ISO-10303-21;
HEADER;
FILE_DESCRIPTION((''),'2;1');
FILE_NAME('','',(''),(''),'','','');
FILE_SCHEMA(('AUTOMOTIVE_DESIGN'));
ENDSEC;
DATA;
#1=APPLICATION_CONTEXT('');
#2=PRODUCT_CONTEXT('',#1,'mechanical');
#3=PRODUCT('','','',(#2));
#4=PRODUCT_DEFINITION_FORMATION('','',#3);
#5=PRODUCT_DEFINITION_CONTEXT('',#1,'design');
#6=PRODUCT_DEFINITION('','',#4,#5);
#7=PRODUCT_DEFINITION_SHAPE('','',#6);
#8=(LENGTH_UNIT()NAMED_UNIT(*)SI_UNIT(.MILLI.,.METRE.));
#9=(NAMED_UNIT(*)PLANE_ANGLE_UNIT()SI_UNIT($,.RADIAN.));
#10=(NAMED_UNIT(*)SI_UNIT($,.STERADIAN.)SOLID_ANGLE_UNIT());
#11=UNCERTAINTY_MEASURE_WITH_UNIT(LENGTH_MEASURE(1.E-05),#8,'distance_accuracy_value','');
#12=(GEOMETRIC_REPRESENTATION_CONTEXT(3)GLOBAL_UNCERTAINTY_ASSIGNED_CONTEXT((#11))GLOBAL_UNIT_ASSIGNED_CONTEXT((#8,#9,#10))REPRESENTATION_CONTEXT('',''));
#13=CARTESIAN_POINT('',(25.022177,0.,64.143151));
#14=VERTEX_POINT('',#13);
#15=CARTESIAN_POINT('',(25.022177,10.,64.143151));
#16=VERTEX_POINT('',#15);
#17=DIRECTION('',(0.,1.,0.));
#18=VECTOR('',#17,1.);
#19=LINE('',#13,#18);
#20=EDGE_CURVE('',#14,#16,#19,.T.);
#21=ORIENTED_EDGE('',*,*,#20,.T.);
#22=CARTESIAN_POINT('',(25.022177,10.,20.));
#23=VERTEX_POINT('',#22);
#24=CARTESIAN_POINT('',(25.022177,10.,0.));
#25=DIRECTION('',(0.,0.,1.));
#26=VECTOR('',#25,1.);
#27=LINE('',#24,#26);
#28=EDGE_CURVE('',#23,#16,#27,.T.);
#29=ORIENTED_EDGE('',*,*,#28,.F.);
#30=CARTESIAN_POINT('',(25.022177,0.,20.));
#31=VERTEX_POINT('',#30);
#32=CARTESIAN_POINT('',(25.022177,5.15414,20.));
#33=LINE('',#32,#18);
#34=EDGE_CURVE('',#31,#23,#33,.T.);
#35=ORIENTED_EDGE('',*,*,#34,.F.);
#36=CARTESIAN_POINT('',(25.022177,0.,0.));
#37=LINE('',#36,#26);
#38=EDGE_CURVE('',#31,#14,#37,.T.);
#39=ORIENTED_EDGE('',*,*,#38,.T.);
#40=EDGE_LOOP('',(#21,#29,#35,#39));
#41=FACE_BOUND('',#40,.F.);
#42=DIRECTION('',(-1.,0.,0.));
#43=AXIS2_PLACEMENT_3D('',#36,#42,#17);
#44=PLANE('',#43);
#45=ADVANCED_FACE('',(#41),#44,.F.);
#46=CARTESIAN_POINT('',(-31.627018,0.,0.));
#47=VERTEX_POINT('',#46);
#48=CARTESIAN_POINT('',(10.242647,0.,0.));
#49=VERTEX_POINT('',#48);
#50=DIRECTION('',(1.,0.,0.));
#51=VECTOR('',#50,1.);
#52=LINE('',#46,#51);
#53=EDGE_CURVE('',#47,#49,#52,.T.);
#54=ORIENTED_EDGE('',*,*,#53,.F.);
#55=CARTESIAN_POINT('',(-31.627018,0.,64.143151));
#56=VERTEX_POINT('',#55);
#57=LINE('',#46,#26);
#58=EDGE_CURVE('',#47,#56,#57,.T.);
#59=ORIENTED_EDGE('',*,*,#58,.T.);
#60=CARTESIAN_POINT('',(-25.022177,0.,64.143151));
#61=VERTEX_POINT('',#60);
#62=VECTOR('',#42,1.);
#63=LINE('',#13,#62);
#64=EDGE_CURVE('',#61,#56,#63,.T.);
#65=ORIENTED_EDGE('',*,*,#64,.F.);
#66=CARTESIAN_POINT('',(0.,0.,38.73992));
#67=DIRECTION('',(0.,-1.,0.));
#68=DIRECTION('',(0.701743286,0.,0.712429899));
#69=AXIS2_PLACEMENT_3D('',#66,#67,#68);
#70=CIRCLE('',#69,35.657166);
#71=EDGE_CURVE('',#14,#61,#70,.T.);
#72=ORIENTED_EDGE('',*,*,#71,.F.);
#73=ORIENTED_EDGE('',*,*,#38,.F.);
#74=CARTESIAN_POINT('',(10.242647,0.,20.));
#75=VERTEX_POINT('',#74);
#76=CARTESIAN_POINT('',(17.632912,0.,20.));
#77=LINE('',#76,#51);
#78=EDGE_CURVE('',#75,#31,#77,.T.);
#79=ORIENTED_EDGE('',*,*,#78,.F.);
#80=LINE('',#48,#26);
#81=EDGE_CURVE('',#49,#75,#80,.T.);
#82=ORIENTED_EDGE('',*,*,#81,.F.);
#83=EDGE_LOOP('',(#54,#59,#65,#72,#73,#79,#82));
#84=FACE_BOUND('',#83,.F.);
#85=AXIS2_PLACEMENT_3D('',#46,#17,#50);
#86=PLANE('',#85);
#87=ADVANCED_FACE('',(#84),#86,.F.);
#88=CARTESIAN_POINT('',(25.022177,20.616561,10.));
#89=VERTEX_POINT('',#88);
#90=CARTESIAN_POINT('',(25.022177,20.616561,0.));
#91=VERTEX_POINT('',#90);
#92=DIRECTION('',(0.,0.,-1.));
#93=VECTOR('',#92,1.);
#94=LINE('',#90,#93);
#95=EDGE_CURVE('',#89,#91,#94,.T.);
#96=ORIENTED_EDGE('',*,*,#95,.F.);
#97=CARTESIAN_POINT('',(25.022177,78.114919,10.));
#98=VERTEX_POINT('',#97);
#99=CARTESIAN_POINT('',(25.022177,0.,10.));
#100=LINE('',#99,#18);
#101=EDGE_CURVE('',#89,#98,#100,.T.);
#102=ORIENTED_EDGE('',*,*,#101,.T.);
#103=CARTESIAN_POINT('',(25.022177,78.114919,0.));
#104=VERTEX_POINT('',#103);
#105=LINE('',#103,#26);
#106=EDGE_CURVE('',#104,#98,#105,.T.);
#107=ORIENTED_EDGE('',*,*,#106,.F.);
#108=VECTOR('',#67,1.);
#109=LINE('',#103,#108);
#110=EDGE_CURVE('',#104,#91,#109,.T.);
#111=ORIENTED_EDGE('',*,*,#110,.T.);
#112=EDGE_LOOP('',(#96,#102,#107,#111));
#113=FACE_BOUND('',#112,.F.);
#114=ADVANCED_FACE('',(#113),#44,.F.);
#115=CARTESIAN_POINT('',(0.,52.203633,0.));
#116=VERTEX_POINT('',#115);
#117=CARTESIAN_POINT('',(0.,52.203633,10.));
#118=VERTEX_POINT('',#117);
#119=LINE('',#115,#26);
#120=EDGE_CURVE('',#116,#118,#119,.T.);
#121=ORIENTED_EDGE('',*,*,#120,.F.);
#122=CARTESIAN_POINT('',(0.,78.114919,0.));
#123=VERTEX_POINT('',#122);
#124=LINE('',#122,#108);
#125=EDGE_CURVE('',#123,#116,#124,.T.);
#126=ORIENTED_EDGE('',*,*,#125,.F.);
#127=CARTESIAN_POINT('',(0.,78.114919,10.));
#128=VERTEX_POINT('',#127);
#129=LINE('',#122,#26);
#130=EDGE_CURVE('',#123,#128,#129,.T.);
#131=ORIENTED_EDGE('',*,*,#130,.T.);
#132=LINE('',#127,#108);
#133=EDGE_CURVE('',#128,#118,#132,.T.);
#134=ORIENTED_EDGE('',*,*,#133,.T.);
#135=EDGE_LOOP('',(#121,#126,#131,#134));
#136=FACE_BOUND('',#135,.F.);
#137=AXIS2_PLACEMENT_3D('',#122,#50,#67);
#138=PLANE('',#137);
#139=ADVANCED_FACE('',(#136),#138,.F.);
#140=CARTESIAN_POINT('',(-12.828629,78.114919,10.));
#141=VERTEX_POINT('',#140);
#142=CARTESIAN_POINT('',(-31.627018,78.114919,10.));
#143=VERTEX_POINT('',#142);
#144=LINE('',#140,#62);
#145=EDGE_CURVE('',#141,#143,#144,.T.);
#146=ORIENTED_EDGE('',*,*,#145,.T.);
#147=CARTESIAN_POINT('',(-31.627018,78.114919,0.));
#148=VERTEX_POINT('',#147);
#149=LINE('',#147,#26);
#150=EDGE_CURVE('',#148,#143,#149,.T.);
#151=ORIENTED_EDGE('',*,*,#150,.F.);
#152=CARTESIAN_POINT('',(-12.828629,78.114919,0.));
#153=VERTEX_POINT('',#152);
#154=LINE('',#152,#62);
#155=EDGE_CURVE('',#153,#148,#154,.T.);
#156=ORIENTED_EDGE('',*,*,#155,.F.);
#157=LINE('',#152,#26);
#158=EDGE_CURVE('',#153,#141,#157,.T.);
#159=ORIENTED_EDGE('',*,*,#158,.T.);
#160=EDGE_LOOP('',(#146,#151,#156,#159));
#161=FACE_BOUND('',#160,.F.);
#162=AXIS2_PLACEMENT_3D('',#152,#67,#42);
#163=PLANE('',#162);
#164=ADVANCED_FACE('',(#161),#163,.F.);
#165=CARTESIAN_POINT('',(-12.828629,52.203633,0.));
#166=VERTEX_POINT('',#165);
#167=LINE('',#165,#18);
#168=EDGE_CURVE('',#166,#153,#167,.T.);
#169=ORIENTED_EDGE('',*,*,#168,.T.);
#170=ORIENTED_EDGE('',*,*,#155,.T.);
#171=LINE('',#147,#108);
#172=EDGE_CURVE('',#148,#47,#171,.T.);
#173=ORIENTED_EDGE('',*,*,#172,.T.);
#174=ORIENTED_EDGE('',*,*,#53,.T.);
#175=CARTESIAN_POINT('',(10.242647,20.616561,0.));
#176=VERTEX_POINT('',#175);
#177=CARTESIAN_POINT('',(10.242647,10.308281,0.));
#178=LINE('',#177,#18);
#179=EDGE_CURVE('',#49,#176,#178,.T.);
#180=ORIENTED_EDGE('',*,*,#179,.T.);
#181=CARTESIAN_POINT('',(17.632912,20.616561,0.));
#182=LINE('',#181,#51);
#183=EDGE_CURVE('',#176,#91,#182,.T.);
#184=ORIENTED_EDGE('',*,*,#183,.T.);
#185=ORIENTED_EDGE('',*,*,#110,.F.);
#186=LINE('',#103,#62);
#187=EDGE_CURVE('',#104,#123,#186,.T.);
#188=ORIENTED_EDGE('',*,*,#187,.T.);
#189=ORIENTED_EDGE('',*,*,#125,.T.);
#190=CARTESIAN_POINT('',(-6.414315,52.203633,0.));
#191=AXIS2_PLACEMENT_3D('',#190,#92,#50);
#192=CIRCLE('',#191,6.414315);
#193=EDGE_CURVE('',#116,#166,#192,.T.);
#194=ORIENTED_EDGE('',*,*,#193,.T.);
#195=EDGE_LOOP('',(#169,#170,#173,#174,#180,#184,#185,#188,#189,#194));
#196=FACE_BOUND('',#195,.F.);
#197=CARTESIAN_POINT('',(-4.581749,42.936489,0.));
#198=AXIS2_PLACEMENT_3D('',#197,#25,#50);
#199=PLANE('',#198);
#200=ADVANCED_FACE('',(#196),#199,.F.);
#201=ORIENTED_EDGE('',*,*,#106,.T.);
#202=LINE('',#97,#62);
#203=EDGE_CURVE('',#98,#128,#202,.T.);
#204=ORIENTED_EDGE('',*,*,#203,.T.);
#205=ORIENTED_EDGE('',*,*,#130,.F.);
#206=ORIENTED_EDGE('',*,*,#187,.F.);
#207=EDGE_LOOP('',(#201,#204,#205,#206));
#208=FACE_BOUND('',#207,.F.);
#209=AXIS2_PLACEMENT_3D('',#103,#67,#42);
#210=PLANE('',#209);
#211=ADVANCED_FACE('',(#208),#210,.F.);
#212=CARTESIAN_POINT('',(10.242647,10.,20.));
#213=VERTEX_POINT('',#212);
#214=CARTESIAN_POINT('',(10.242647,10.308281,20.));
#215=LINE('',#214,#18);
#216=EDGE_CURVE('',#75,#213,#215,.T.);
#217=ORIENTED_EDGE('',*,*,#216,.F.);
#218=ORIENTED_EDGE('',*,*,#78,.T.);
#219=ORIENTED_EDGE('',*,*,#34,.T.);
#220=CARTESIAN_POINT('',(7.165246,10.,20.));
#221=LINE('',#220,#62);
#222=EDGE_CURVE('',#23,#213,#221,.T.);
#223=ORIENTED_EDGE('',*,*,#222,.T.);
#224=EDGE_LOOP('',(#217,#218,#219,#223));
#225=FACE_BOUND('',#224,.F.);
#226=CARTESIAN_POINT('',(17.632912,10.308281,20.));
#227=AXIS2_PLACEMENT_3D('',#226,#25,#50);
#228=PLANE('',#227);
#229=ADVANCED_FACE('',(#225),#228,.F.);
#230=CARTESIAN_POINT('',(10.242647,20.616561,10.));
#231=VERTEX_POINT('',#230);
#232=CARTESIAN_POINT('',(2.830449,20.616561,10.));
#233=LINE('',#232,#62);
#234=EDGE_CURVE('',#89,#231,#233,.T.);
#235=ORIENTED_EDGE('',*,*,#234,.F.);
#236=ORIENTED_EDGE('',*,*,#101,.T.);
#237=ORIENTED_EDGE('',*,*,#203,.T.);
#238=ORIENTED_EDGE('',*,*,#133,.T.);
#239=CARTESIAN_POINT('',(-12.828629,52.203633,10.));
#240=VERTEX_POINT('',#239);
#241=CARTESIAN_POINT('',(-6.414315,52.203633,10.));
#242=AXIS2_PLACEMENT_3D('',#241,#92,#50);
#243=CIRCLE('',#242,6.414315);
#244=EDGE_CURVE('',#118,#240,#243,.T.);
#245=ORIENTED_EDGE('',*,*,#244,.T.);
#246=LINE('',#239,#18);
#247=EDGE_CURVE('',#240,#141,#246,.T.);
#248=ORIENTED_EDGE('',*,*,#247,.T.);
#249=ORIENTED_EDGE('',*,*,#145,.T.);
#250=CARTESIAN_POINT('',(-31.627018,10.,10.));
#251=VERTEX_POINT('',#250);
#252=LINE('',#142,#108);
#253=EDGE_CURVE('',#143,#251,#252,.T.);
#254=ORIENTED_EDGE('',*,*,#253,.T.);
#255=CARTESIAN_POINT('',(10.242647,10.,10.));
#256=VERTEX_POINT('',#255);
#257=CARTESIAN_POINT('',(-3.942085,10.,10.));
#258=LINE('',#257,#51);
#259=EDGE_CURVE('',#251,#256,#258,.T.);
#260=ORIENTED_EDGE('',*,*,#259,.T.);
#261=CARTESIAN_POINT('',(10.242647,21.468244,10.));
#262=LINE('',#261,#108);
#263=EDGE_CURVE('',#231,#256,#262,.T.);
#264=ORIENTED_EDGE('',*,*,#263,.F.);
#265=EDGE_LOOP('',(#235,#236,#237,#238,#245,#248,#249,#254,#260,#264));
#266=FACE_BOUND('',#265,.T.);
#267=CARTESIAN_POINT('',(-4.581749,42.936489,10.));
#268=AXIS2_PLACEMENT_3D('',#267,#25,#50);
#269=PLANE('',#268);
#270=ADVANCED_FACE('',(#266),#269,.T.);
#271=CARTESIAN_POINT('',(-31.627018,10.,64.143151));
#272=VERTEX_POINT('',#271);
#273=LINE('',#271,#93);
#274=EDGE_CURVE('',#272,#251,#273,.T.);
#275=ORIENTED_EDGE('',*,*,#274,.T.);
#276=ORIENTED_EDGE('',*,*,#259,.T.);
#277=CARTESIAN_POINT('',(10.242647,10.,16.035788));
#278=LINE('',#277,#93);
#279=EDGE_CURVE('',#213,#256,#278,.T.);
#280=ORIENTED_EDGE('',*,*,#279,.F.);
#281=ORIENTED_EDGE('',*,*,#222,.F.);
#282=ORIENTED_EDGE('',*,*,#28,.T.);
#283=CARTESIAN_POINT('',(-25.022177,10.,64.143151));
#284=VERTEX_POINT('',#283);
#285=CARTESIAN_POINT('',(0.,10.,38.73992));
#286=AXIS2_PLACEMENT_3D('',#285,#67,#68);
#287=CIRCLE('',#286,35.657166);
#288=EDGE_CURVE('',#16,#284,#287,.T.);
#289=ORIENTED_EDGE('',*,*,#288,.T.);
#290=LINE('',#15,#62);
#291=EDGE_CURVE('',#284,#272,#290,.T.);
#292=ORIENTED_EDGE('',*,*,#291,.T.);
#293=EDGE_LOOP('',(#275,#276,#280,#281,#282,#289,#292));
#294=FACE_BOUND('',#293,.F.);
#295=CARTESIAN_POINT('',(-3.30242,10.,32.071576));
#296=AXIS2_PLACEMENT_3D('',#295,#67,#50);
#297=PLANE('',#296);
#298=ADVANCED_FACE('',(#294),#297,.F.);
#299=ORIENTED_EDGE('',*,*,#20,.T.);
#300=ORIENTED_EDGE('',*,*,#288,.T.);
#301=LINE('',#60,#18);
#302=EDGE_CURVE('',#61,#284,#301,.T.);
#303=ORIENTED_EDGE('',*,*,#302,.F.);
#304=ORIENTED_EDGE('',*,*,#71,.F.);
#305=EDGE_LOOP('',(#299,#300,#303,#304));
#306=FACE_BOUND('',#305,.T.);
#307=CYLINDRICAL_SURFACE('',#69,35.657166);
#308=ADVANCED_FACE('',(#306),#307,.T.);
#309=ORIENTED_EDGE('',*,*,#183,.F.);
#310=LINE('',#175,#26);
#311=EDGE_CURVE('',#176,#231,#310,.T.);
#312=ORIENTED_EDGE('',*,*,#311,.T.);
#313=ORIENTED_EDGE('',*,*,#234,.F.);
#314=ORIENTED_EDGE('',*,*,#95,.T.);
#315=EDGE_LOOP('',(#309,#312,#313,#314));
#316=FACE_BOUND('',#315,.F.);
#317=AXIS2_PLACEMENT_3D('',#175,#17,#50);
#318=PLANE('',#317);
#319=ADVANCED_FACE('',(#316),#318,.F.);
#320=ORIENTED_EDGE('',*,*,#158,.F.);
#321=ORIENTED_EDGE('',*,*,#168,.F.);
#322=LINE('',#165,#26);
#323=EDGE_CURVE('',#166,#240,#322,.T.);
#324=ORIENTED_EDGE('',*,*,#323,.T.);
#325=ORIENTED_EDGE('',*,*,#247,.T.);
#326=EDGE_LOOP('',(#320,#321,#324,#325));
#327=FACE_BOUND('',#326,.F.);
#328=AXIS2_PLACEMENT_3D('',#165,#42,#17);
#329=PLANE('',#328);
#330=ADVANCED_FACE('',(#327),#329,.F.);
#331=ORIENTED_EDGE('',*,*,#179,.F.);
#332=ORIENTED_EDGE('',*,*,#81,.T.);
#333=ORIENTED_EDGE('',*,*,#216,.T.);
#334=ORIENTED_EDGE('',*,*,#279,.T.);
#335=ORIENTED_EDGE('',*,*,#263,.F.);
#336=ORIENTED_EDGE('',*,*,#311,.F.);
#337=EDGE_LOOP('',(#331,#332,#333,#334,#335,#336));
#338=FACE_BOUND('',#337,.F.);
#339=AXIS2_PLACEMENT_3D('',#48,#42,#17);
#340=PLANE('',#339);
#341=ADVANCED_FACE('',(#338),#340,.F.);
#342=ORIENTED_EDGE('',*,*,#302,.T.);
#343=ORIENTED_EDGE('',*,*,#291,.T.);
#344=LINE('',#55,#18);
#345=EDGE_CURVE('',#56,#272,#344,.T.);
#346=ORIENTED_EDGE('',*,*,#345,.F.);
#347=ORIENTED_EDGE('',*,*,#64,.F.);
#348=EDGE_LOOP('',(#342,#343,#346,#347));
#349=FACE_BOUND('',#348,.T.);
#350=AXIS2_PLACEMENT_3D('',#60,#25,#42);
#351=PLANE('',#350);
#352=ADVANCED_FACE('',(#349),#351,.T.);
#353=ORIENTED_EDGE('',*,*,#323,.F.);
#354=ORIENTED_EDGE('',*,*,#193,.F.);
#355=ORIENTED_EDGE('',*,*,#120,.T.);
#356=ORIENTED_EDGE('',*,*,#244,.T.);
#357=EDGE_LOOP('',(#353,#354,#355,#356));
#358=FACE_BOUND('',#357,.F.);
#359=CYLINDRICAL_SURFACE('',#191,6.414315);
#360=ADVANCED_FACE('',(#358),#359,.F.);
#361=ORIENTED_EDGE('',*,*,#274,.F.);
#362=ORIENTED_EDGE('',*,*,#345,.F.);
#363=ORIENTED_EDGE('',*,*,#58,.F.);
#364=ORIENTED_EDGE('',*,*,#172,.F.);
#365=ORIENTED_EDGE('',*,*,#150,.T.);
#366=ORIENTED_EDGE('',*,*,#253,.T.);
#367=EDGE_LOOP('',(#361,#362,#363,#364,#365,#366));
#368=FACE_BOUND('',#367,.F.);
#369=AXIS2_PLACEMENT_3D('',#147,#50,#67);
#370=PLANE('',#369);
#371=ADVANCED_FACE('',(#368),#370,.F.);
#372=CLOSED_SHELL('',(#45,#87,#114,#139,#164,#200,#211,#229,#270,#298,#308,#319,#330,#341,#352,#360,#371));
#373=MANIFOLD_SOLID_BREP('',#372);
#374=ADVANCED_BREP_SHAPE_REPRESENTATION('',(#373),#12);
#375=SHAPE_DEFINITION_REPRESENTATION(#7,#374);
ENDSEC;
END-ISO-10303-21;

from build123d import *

# Parameters (mm, degrees)
F0_W     = 11.9395153597
F0_H     = 19.9415329844
F1_DEPTH = 10
F3_DEPTH = 10
F4_W     = 14.7805297747
F4_H     = 20.6165611744
F5_DEPTH = 20


with BuildPart() as f1:
    # F0 (on Top) → F1 (new body)
    with BuildSketch(Plane.XY):
        with BuildLine():
            Line((-31.6270180047, 78.1149193645), (-31.6270180047, 0))
            Line((-31.6270180047, 0), (13.082661666, 0))
            Line((13.082661666, 0), (13.082661666, 19.9415329844))
            Line((13.082661666, 19.9415329844), (25.0221770257, 19.9415329844))
            Line((25.0221770257, 19.9415329844), (25.0221770257, 78.1149193645))
            Line((25.0221770257, 78.1149193645), (0, 78.1149193645))
            Line((0, 78.1149193645), (0, 52.2036328912))
            ThreePointArc((0, 52.2036328912), (-6.414314732, 45.7893181592), (-12.8286294639, 52.2036328912))
            Line((-12.8286294639, 52.2036328912), (-12.8286294639, 78.1149193645))
            Line((-12.8286294639, 78.1149193645), (-31.6270180047, 78.1149193645))
        make_face()
        with Locations((19.0524193458, 9.9707664922)):
            Rectangle(F0_W, F0_H)
    extrude(amount=F1_DEPTH)

    # F2 (on Front) → F3 (join)
    with BuildSketch(Plane.XZ):
        Polygon((-31.6270180047, 0), (25.0221770257, 0), (25.0221770257, 64.1431510448), (-25.0221770257, 64.1431510448), (-31.6270180047, 64.1431510448), align=None)
        with BuildLine():
            Line((-25.0221770257, 64.1431510448), (25.0221770257, 64.1431510448))
            ThreePointArc((25.0221770257, 64.1431510448), (0, 74.3970859516), (-25.0221770257, 64.1431510448))
        make_face()
    extrude(amount=-F3_DEPTH)

    # F4 (on Top) → F5 (cut)
    with BuildSketch(Plane.XY):
        with Locations((17.6329123788, 10.3082805872)):
            Rectangle(F4_W, F4_H)
    extrude(amount=F5_DEPTH, mode=Mode.SUBTRACT)


solid = f1.part
